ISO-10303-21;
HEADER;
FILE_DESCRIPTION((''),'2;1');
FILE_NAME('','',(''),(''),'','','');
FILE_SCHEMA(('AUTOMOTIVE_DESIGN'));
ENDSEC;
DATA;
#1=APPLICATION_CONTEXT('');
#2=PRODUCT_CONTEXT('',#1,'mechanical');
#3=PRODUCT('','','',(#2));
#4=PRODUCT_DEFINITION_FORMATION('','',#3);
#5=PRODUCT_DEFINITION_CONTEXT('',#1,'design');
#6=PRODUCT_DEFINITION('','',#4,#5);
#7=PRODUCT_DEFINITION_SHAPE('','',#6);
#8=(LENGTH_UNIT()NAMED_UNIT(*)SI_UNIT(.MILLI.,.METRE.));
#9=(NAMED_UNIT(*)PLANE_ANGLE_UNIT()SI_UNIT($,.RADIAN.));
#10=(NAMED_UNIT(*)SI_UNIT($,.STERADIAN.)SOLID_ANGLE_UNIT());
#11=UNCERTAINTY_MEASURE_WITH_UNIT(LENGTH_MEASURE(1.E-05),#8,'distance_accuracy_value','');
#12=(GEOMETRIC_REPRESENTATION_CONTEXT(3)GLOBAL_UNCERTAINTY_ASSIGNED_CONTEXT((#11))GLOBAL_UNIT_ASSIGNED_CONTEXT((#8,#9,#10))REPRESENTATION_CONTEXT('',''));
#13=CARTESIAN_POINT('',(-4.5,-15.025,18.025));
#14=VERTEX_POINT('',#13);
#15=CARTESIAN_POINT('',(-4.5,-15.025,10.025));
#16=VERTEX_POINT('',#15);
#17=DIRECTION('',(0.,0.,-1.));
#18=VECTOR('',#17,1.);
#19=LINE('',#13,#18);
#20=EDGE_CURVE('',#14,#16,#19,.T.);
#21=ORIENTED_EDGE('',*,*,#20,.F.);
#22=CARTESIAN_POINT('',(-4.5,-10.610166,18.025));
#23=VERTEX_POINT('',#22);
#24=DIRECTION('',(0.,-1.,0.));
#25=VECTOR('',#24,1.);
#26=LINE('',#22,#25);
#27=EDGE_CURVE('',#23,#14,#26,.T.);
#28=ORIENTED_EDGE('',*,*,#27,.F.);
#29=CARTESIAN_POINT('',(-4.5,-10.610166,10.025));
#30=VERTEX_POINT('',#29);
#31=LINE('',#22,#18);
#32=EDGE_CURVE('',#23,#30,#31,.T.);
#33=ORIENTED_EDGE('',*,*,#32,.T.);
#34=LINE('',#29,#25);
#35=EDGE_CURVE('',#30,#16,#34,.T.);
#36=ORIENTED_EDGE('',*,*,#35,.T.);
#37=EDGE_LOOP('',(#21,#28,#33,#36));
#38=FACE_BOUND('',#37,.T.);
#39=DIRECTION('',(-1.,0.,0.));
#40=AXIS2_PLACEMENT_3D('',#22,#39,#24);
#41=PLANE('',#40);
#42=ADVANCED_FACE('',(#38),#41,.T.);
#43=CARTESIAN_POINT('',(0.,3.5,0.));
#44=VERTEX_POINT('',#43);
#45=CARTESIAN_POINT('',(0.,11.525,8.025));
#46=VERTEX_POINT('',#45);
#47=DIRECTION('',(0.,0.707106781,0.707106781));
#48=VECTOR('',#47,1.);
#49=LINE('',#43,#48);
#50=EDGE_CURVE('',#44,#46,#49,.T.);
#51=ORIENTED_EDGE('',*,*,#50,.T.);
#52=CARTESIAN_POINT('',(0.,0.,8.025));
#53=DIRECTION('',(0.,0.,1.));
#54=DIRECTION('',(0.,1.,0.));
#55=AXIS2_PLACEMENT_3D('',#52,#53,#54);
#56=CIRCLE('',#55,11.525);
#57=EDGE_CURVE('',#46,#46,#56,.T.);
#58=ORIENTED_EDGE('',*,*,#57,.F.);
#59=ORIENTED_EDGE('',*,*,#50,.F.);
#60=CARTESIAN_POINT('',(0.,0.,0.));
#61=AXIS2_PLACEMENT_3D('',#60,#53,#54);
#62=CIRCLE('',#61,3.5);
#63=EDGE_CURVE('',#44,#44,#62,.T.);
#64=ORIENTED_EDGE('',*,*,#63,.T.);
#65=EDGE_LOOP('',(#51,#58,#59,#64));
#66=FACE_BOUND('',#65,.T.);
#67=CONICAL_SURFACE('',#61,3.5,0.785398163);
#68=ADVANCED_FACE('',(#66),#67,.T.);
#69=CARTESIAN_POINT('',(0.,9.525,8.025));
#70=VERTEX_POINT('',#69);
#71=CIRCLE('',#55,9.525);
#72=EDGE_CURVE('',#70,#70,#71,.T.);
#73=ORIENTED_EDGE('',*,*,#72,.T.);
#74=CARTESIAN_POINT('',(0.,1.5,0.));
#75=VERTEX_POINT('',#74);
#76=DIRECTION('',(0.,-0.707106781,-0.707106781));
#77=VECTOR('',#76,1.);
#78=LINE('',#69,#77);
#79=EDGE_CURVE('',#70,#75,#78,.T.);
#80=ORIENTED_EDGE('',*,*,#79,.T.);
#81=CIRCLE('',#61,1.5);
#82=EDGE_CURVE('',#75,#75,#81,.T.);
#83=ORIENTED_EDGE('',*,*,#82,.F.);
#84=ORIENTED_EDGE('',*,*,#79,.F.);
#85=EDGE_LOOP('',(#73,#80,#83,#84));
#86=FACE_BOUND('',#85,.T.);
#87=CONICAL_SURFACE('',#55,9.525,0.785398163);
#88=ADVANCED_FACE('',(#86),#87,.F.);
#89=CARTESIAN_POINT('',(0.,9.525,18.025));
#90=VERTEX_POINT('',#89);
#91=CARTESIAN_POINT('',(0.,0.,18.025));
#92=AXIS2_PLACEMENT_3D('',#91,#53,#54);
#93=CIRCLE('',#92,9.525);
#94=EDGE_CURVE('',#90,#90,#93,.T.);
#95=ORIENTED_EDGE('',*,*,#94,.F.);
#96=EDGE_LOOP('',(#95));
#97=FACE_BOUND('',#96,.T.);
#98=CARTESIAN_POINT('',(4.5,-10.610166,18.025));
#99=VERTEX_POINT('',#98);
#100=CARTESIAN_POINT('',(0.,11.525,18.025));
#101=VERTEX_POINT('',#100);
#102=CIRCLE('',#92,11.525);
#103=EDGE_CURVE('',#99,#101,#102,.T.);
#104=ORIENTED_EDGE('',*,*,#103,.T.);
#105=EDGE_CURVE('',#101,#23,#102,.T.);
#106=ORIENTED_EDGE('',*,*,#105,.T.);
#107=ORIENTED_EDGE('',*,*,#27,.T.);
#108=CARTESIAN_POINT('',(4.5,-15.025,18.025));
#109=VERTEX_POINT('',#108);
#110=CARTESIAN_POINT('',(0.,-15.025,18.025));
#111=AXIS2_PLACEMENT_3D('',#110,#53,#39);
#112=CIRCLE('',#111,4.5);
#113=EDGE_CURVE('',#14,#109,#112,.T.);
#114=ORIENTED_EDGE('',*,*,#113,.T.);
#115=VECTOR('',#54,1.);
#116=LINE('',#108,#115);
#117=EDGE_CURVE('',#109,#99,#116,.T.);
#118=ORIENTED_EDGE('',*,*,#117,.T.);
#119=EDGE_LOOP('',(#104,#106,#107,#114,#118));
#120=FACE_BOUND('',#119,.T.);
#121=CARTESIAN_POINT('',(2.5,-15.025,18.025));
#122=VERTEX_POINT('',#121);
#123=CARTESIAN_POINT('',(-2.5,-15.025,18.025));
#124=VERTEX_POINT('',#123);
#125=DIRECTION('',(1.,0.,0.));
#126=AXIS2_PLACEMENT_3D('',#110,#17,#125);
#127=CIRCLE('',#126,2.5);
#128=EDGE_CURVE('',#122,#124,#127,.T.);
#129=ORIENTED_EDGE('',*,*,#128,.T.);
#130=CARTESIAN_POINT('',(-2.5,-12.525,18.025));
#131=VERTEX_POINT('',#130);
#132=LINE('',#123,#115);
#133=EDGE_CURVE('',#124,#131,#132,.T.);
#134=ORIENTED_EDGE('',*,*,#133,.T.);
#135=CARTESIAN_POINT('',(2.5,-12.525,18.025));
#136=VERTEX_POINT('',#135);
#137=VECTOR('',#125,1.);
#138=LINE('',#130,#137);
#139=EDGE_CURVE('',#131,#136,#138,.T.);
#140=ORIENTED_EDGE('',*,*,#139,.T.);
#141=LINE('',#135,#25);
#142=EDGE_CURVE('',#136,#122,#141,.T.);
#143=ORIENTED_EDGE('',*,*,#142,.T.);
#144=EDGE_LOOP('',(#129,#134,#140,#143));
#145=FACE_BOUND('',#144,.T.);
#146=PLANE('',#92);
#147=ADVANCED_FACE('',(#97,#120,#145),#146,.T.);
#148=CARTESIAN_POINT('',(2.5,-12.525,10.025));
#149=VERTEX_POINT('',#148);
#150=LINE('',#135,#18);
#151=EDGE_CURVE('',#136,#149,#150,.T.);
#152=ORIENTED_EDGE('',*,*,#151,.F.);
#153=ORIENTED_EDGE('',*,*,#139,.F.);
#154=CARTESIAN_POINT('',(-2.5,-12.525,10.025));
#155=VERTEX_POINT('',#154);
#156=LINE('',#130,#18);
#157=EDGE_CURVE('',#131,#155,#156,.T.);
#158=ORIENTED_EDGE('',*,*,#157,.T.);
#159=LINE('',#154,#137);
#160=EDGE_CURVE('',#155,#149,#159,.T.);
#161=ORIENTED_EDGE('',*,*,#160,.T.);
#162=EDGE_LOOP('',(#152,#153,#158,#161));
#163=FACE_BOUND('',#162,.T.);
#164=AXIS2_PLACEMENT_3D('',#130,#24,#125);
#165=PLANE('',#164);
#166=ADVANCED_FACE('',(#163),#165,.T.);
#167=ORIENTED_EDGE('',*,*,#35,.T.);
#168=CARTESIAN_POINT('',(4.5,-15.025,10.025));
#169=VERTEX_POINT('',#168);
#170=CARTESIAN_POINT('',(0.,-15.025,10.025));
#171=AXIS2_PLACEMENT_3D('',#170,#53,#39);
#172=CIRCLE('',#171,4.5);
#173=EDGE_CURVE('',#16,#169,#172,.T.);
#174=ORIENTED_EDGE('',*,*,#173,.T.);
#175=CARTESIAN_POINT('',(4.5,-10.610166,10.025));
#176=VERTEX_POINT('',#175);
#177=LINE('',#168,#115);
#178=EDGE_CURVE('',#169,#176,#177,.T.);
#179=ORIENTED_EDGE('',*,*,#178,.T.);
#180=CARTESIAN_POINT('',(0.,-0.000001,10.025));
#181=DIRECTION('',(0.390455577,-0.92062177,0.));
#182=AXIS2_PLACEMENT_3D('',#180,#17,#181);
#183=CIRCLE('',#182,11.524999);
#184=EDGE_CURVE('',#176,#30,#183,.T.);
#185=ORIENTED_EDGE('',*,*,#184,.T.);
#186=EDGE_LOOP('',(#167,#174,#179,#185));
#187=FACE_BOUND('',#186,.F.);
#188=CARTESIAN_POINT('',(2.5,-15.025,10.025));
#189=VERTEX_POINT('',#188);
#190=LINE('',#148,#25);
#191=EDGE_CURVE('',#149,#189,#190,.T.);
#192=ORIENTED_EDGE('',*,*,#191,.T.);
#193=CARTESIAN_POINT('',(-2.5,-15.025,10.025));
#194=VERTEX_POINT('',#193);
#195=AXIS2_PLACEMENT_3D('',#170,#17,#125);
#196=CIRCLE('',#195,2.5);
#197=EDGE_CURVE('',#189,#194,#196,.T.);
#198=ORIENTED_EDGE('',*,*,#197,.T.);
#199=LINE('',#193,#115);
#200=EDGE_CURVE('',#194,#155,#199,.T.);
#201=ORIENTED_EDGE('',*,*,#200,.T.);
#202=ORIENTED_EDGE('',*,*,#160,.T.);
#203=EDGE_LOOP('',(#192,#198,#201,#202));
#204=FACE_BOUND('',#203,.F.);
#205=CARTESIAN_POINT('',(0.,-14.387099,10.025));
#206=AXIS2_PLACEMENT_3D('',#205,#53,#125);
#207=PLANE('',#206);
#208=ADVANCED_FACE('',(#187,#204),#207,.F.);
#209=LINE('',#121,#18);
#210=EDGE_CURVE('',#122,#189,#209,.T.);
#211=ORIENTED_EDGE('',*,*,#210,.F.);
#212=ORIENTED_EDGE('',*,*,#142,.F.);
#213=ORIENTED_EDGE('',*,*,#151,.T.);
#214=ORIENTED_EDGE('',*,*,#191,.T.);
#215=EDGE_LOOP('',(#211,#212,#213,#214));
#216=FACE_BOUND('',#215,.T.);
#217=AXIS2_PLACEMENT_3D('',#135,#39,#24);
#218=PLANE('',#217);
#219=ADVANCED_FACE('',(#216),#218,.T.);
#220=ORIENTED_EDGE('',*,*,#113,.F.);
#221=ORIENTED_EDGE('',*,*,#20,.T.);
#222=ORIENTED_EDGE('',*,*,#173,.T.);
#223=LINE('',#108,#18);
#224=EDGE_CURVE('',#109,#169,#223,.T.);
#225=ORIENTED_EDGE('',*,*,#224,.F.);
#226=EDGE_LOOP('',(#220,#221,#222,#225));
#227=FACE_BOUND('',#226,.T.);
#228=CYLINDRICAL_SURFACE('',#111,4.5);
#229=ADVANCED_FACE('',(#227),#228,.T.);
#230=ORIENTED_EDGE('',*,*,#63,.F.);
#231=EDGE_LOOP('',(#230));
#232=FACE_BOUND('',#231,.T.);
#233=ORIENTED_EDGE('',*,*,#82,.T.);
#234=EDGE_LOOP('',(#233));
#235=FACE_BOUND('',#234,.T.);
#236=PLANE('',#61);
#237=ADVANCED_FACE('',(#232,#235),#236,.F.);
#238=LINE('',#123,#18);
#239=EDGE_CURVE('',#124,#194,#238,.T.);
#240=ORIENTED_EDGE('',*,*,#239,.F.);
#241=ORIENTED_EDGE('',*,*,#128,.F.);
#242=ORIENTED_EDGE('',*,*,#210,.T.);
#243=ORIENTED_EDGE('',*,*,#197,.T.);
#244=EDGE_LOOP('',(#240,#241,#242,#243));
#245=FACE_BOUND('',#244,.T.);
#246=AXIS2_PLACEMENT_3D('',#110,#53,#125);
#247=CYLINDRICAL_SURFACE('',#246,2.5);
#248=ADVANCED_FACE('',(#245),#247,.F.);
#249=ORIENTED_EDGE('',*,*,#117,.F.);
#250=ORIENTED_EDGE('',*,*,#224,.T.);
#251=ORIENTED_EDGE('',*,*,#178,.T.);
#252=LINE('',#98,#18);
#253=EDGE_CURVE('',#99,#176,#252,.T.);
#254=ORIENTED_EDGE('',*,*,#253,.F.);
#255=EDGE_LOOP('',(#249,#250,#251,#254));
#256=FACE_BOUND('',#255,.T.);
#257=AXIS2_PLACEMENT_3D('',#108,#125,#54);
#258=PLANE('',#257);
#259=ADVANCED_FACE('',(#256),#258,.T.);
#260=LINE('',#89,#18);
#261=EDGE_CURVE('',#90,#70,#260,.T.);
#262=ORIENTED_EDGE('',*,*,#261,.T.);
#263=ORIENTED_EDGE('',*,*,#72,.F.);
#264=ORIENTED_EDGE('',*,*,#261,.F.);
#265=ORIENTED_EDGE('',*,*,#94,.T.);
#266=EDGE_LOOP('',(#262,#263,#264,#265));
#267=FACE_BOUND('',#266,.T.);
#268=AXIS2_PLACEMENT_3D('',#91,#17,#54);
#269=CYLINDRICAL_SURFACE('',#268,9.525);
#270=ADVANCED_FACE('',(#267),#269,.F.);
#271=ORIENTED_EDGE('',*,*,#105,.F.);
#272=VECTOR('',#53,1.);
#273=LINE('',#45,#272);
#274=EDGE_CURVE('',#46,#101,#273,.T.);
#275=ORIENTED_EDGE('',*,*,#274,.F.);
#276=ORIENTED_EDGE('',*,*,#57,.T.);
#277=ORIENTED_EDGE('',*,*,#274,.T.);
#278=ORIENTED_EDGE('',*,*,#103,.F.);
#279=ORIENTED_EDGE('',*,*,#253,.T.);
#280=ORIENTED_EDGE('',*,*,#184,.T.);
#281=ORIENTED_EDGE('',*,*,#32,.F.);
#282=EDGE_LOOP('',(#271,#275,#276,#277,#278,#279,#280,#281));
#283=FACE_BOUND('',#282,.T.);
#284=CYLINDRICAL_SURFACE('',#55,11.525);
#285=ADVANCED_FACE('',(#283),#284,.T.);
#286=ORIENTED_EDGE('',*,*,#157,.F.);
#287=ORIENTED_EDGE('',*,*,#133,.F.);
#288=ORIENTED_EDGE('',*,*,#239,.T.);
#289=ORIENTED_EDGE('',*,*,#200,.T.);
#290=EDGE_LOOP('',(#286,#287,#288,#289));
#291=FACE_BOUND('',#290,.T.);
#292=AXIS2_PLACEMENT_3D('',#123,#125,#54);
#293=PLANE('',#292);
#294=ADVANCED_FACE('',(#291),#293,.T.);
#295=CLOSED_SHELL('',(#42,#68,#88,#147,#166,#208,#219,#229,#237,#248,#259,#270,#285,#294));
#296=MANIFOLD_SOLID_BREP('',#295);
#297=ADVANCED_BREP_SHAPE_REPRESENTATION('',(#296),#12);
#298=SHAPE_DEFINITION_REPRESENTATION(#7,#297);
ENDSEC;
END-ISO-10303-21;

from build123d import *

# Parameters (mm, degrees)
F3_DEPTH = 8


with BuildPart() as f1:
    # F0 (on Right) → F1 (revolve)
    with BuildSketch(Plane.YZ):
        Polygon((9.525, 18.025), (9.525, 8.025), (1.5, 0), (3.5, 0), (11.525, 8.025), (11.525, 18.025), align=None)
    revolve(axis=Axis((0, 0, 10.187358), (0, 0, 1)))

    # F2 (on face) → F3 (join)
    with BuildSketch(Plane.XY.offset(18.025)):
        with BuildLine():
            ThreePointArc((4.5, -10.610166), (0, -11.525), (-4.5, -10.610166))
            Line((-4.5, -10.610166), (-4.5, -15.025))
            ThreePointArc((-4.5, -15.025), (0, -19.525), (4.5, -15.025))
            Line((4.5, -15.025), (4.5, -10.610166))
        make_face()
        with BuildLine():
            Line((-2.5, -15.025), (-2.5, -12.525))
            Line((-2.5, -12.525), (2.5, -12.525))
            Line((2.5, -12.525), (2.5, -15.025))
            ThreePointArc((2.5, -15.025), (0, -17.525), (-2.5, -15.025))
        make_face(mode=Mode.SUBTRACT)
    extrude(amount=-F3_DEPTH)


solid = f1.part
